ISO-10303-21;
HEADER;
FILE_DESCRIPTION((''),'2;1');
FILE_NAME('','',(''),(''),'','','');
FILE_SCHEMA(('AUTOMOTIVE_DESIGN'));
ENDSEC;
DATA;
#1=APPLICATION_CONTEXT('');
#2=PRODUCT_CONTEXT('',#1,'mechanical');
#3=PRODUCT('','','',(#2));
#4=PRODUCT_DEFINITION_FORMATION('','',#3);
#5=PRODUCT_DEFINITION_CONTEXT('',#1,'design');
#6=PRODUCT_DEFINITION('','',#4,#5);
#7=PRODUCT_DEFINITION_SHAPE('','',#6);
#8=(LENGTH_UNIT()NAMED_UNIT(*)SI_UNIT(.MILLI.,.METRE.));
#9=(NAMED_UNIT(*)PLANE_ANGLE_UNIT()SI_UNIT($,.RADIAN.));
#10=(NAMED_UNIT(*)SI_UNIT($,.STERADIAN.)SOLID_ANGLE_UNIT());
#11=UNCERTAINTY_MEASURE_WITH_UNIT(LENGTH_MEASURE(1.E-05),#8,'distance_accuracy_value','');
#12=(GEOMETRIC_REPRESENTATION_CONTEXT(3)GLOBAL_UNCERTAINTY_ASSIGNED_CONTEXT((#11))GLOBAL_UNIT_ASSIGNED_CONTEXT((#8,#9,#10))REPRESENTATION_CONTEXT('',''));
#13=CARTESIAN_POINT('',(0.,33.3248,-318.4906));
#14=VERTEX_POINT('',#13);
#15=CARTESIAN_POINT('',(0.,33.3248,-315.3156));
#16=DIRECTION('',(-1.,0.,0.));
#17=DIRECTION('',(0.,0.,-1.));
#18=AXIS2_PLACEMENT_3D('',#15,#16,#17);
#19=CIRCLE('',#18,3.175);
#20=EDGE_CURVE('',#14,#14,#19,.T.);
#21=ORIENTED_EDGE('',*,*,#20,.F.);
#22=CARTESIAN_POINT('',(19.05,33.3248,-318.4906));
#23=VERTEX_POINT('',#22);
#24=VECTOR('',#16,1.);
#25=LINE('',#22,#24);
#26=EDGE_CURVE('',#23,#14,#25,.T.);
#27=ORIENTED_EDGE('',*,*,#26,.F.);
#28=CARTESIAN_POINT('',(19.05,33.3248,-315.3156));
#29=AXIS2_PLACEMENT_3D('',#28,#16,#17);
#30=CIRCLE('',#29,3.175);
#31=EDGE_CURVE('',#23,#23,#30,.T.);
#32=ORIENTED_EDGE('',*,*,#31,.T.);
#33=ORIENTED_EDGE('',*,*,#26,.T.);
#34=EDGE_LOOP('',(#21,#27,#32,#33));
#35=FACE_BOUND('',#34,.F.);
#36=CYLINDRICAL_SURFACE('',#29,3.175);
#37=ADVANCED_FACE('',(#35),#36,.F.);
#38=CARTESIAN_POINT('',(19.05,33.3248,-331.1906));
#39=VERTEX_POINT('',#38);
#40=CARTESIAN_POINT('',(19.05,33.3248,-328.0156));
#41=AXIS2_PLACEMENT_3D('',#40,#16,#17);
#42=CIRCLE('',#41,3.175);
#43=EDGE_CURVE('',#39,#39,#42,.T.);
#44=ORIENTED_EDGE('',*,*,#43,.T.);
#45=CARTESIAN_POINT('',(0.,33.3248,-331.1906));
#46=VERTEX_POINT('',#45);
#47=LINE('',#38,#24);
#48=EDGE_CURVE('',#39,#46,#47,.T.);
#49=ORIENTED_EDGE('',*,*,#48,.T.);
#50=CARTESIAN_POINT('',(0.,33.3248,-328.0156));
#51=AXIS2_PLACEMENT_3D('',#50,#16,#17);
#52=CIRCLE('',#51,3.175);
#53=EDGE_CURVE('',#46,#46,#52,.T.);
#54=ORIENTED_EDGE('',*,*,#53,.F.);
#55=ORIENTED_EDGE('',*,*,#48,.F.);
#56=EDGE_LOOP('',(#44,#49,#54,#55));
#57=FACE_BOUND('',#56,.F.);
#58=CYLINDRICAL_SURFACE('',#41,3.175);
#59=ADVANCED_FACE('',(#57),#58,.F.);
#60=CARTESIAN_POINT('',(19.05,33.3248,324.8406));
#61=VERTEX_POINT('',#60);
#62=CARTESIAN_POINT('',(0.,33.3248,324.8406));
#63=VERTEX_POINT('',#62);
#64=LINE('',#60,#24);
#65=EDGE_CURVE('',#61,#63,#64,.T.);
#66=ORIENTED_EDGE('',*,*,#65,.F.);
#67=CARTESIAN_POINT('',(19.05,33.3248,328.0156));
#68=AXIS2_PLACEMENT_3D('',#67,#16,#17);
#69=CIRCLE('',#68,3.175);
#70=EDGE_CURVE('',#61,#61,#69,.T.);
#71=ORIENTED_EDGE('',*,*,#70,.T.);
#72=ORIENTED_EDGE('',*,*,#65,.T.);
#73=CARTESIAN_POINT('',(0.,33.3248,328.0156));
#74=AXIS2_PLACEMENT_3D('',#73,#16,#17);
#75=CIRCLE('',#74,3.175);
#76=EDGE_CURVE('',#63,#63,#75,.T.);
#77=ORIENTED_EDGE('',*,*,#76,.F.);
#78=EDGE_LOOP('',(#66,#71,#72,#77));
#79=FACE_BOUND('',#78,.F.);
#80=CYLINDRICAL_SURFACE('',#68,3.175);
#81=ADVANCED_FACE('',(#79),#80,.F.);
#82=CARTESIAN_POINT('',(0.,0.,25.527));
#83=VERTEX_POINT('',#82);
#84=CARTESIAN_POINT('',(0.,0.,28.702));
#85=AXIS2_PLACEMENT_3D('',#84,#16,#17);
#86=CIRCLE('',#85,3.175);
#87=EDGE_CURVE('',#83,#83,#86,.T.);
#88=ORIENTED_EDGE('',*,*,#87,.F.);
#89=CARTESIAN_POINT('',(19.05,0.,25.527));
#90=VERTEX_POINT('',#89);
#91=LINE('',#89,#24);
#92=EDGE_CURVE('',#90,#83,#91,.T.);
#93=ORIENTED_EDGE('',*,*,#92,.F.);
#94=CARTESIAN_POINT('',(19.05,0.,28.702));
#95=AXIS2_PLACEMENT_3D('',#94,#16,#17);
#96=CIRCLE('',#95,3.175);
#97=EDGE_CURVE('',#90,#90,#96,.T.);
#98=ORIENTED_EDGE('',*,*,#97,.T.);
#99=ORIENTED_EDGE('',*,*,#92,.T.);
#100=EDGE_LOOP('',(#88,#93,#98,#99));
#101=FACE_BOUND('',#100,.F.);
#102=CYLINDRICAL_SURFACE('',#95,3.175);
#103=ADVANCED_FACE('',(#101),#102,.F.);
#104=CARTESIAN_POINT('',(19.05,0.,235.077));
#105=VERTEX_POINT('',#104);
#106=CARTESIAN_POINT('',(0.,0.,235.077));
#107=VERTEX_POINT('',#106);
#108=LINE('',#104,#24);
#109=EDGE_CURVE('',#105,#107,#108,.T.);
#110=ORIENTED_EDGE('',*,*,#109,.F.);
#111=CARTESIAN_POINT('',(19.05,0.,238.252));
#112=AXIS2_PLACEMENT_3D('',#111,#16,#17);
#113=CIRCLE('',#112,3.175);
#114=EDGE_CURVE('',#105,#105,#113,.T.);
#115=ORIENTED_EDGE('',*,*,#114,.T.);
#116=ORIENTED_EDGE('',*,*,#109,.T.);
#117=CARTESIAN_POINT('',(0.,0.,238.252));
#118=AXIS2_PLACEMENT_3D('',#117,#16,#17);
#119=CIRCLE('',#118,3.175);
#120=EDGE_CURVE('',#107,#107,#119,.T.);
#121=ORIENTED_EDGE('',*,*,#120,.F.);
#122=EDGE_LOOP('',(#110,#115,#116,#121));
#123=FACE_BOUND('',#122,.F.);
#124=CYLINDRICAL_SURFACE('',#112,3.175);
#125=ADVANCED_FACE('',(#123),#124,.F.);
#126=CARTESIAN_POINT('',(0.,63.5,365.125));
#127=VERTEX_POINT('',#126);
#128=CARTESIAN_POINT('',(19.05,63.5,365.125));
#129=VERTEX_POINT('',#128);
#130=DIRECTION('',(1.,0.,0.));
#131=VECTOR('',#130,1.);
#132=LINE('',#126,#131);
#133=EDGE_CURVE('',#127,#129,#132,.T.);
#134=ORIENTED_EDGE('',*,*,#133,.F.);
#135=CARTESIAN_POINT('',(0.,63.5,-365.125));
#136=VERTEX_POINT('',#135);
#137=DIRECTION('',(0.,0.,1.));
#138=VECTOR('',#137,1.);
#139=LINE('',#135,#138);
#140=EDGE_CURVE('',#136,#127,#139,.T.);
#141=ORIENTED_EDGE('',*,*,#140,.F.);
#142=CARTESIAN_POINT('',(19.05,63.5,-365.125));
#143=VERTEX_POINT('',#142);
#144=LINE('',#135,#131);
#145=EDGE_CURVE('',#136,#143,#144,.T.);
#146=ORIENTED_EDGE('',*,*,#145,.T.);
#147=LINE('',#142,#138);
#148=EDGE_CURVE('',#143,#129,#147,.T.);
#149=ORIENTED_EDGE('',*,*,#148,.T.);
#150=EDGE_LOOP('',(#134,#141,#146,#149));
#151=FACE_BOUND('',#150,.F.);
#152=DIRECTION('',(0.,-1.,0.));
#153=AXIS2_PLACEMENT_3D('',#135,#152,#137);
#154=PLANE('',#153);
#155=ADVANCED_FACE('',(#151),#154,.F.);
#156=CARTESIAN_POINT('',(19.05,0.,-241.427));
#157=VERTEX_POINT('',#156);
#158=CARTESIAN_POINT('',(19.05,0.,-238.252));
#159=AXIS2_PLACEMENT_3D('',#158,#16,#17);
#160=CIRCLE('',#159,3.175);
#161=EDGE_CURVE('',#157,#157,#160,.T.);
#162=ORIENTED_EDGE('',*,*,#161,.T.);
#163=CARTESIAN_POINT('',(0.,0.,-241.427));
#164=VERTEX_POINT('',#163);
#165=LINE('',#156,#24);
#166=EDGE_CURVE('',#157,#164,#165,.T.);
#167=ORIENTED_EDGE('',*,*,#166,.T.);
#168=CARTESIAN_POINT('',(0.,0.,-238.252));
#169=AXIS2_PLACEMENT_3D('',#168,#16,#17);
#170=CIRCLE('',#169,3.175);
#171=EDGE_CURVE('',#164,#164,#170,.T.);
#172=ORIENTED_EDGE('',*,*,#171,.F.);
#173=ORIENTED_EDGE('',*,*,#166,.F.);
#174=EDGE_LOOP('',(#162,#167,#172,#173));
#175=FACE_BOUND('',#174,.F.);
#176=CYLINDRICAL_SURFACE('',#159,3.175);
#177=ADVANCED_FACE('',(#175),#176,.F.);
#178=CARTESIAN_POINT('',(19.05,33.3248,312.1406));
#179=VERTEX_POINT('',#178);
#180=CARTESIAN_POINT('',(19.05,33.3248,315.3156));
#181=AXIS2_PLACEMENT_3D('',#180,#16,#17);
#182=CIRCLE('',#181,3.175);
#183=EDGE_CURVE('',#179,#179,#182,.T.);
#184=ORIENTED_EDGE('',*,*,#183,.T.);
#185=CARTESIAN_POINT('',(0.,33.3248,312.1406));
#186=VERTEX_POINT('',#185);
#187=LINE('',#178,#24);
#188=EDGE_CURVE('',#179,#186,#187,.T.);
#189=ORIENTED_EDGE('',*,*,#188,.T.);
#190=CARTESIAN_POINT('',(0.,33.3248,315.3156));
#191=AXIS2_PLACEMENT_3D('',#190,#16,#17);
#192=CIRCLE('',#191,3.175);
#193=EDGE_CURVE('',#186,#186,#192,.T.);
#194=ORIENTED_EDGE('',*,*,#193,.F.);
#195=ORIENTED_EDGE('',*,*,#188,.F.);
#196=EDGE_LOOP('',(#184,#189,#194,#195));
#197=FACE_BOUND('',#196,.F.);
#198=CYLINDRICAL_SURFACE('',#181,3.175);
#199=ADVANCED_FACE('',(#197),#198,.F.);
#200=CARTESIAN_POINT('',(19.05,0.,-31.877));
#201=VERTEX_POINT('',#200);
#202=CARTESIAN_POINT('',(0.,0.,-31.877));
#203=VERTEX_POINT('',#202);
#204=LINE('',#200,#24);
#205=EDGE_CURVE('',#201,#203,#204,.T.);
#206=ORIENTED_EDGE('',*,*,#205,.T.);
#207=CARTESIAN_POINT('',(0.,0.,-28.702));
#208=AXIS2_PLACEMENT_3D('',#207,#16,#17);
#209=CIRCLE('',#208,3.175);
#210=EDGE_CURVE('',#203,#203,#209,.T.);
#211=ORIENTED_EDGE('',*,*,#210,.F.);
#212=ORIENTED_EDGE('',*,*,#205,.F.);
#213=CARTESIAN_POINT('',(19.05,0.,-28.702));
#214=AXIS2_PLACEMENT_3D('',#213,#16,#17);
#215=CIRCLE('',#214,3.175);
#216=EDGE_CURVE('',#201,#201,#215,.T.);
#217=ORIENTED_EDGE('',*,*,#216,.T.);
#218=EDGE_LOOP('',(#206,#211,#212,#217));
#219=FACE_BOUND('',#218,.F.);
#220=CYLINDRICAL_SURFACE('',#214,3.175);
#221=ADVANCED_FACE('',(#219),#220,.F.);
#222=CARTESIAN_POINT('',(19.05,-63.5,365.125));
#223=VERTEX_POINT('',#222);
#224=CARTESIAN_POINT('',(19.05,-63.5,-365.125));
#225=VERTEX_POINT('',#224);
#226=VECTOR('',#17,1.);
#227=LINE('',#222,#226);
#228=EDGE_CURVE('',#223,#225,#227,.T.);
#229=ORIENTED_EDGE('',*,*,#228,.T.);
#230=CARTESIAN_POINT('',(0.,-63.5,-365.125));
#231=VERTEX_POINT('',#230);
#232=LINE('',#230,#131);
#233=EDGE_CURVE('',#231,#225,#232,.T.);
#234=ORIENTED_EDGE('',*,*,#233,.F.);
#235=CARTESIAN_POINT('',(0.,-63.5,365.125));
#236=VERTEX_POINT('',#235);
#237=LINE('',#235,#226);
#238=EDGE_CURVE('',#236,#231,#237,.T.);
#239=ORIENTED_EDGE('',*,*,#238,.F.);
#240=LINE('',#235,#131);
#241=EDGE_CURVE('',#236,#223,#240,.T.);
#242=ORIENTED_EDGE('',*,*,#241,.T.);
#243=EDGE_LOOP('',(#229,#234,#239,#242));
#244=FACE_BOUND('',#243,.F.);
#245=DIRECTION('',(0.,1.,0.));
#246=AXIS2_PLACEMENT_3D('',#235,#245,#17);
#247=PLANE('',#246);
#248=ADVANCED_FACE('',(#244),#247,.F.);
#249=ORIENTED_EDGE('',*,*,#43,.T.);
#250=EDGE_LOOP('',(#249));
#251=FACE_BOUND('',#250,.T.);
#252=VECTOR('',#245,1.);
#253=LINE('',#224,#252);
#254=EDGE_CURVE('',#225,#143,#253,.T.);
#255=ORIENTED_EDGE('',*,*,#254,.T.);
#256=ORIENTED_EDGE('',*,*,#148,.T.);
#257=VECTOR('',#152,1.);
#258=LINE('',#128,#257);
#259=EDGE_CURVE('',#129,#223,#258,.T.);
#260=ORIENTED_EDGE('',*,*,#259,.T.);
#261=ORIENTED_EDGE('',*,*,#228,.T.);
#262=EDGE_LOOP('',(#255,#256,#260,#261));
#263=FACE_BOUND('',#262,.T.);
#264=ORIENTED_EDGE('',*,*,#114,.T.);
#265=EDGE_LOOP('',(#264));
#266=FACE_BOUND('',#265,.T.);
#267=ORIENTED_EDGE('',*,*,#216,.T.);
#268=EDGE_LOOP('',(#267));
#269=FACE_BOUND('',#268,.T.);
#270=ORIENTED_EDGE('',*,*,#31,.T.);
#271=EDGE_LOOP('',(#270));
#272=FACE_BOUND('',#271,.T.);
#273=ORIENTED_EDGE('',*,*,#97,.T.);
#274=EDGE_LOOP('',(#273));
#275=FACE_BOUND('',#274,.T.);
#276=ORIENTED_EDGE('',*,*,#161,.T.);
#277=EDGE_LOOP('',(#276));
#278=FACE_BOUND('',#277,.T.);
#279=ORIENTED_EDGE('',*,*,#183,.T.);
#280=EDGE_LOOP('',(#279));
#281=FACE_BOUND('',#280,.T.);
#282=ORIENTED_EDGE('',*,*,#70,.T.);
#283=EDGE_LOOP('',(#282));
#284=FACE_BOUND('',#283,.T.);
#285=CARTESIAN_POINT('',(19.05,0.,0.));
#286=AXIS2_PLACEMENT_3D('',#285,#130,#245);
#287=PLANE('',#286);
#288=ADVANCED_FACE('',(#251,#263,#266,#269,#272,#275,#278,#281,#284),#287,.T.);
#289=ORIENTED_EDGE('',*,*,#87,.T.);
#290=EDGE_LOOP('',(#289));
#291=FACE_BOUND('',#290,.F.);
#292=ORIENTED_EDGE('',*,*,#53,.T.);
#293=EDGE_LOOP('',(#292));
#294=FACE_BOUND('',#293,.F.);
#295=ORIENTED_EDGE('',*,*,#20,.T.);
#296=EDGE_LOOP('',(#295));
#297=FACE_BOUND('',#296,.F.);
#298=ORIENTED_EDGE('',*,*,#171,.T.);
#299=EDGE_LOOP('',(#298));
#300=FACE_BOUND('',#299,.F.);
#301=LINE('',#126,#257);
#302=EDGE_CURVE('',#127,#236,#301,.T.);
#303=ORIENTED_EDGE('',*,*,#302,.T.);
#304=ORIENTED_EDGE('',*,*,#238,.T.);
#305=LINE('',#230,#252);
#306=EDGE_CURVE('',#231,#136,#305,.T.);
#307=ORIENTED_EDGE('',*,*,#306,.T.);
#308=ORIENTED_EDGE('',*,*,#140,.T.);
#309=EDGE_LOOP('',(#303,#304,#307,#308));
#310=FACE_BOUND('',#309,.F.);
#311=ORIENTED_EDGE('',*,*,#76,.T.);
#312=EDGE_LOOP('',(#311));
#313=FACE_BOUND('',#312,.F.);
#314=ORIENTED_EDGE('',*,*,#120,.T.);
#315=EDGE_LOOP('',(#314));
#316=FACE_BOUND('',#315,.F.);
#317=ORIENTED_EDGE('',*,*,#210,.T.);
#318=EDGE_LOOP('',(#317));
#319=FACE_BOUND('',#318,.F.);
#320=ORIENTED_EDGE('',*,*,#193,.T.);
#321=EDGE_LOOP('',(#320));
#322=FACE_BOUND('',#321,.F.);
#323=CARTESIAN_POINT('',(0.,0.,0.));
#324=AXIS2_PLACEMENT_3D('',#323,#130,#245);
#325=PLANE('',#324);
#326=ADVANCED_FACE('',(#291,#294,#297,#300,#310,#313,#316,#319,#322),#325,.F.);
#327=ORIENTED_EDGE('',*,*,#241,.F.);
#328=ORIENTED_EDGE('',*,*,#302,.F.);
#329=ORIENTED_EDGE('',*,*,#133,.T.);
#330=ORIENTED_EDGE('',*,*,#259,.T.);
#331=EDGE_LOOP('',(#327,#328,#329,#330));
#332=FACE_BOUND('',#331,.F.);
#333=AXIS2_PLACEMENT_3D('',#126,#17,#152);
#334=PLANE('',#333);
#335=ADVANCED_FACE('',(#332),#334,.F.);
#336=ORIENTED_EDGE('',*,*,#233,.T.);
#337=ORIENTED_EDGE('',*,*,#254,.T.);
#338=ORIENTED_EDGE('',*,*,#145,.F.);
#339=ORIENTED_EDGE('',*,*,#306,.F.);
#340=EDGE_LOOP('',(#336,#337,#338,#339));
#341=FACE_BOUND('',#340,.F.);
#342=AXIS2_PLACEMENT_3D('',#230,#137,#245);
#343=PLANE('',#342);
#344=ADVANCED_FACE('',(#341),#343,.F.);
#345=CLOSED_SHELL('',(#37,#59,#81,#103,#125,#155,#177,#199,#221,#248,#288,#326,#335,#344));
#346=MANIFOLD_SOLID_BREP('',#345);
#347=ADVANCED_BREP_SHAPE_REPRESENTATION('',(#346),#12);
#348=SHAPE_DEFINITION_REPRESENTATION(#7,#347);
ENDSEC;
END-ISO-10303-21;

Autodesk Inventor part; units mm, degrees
ref_plane "YZ Plane" through (0, 0, 0) normal (1, 0, 0) x (0, 1, 0)
ref_plane "XZ Plane" through (0, 0, 0) normal (0, 1, 0) x (-1, 0, 0)
ref_plane "XY Plane" through (0, 0, 0) normal (0, 0, 1) x (1, 0, 0)
sketch "Sketch1" plane through (0, 0, 0) normal (1, 0, 0) x (0, 1, 0)
  line L0 (-63.5, -365.125) -> (63.5, -365.125)
  line L1 (63.5, -365.125) -> (63.5, 365.125)
  line L2 (63.5, 365.125) -> (-63.5, 365.125)
  line L3 (-63.5, 365.125) -> (-63.5, -365.125)
  line L4 (-63.5, -365.125) -> (63.5, 365.125) construction
  line L5 (63.5, -365.125) -> (-63.5, 365.125) construction
  point P0 (0, 0)
  dimension "d0" = 127
  dimension "d1" = 730.25
extrude "Extrusion1" add sketch "Sketch1" along normal blind 19.05
sketch "Sketch2" plane through (19.05, 0, 0) normal (1, 0, 0) x (0, 0, -1)
  line L0 (-365.125, 63.5) -> (-365.125, -63.5) projected
  line L1 (365.125, 63.5) -> (-365.125, 63.5) projected
  line L2 (0, 63.5) -> (0, -57.15) construction
  point P0 (0, 0)
  point P1 (-328.0156, 33.3248)
  point P2 (-315.3156, 33.3248)
  point P3 (328.0156, 33.3248)
  point P4 (315.3156, 33.3248)
  dimension "d4" = 37.1094
  dimension "d5" = 12.7
  dimension "d6" = 30.1752
hole "Hole1" at (19.05, 33.3248, 328.0156) at (19.05, 33.3248, 315.3156) at (19.05, 33.3248, -328.0156) at (19.05, 33.3248, -315.3156) direction (-1, 0, 0) diameter 6.35 end through all
sketch "Sketch3" plane through (19.05, 0, 0) normal (1, 0, 0) x (0, 0, -1)
  line L0 (365.125, 63.5) -> (-365.125, 63.5) construction
  line L1 (0, 63.5) -> (0, -63.5) construction
  line L2 (-365.125, -63.5) -> (365.125, -63.5) construction
  line L3 (-365.125, 63.5) -> (-365.125, -63.5) construction
  point P0 (0, 0)
  point P1 (-238.252, 0)
  point P2 (-28.702, 0)
  point P3 (0, 0)
  point P4 (-365.125, 0)
  point P5 (-365.125, 0)
  point P6 (-365.125, 0)
  point P7 (238.252, 0)
  point P8 (28.702, 0)
  dimension "d16" = 126.873
  dimension "d17" = 209.55
hole "Hole2" at (19.05, 0, 238.252) at (19.05, 0, 28.702) at (19.05, 0, -238.252) at (19.05, 0, -28.702) direction (-1, 0, 0) diameter 6.35 end through all
properties part number "BP-002" material "Wood (Birch)"
